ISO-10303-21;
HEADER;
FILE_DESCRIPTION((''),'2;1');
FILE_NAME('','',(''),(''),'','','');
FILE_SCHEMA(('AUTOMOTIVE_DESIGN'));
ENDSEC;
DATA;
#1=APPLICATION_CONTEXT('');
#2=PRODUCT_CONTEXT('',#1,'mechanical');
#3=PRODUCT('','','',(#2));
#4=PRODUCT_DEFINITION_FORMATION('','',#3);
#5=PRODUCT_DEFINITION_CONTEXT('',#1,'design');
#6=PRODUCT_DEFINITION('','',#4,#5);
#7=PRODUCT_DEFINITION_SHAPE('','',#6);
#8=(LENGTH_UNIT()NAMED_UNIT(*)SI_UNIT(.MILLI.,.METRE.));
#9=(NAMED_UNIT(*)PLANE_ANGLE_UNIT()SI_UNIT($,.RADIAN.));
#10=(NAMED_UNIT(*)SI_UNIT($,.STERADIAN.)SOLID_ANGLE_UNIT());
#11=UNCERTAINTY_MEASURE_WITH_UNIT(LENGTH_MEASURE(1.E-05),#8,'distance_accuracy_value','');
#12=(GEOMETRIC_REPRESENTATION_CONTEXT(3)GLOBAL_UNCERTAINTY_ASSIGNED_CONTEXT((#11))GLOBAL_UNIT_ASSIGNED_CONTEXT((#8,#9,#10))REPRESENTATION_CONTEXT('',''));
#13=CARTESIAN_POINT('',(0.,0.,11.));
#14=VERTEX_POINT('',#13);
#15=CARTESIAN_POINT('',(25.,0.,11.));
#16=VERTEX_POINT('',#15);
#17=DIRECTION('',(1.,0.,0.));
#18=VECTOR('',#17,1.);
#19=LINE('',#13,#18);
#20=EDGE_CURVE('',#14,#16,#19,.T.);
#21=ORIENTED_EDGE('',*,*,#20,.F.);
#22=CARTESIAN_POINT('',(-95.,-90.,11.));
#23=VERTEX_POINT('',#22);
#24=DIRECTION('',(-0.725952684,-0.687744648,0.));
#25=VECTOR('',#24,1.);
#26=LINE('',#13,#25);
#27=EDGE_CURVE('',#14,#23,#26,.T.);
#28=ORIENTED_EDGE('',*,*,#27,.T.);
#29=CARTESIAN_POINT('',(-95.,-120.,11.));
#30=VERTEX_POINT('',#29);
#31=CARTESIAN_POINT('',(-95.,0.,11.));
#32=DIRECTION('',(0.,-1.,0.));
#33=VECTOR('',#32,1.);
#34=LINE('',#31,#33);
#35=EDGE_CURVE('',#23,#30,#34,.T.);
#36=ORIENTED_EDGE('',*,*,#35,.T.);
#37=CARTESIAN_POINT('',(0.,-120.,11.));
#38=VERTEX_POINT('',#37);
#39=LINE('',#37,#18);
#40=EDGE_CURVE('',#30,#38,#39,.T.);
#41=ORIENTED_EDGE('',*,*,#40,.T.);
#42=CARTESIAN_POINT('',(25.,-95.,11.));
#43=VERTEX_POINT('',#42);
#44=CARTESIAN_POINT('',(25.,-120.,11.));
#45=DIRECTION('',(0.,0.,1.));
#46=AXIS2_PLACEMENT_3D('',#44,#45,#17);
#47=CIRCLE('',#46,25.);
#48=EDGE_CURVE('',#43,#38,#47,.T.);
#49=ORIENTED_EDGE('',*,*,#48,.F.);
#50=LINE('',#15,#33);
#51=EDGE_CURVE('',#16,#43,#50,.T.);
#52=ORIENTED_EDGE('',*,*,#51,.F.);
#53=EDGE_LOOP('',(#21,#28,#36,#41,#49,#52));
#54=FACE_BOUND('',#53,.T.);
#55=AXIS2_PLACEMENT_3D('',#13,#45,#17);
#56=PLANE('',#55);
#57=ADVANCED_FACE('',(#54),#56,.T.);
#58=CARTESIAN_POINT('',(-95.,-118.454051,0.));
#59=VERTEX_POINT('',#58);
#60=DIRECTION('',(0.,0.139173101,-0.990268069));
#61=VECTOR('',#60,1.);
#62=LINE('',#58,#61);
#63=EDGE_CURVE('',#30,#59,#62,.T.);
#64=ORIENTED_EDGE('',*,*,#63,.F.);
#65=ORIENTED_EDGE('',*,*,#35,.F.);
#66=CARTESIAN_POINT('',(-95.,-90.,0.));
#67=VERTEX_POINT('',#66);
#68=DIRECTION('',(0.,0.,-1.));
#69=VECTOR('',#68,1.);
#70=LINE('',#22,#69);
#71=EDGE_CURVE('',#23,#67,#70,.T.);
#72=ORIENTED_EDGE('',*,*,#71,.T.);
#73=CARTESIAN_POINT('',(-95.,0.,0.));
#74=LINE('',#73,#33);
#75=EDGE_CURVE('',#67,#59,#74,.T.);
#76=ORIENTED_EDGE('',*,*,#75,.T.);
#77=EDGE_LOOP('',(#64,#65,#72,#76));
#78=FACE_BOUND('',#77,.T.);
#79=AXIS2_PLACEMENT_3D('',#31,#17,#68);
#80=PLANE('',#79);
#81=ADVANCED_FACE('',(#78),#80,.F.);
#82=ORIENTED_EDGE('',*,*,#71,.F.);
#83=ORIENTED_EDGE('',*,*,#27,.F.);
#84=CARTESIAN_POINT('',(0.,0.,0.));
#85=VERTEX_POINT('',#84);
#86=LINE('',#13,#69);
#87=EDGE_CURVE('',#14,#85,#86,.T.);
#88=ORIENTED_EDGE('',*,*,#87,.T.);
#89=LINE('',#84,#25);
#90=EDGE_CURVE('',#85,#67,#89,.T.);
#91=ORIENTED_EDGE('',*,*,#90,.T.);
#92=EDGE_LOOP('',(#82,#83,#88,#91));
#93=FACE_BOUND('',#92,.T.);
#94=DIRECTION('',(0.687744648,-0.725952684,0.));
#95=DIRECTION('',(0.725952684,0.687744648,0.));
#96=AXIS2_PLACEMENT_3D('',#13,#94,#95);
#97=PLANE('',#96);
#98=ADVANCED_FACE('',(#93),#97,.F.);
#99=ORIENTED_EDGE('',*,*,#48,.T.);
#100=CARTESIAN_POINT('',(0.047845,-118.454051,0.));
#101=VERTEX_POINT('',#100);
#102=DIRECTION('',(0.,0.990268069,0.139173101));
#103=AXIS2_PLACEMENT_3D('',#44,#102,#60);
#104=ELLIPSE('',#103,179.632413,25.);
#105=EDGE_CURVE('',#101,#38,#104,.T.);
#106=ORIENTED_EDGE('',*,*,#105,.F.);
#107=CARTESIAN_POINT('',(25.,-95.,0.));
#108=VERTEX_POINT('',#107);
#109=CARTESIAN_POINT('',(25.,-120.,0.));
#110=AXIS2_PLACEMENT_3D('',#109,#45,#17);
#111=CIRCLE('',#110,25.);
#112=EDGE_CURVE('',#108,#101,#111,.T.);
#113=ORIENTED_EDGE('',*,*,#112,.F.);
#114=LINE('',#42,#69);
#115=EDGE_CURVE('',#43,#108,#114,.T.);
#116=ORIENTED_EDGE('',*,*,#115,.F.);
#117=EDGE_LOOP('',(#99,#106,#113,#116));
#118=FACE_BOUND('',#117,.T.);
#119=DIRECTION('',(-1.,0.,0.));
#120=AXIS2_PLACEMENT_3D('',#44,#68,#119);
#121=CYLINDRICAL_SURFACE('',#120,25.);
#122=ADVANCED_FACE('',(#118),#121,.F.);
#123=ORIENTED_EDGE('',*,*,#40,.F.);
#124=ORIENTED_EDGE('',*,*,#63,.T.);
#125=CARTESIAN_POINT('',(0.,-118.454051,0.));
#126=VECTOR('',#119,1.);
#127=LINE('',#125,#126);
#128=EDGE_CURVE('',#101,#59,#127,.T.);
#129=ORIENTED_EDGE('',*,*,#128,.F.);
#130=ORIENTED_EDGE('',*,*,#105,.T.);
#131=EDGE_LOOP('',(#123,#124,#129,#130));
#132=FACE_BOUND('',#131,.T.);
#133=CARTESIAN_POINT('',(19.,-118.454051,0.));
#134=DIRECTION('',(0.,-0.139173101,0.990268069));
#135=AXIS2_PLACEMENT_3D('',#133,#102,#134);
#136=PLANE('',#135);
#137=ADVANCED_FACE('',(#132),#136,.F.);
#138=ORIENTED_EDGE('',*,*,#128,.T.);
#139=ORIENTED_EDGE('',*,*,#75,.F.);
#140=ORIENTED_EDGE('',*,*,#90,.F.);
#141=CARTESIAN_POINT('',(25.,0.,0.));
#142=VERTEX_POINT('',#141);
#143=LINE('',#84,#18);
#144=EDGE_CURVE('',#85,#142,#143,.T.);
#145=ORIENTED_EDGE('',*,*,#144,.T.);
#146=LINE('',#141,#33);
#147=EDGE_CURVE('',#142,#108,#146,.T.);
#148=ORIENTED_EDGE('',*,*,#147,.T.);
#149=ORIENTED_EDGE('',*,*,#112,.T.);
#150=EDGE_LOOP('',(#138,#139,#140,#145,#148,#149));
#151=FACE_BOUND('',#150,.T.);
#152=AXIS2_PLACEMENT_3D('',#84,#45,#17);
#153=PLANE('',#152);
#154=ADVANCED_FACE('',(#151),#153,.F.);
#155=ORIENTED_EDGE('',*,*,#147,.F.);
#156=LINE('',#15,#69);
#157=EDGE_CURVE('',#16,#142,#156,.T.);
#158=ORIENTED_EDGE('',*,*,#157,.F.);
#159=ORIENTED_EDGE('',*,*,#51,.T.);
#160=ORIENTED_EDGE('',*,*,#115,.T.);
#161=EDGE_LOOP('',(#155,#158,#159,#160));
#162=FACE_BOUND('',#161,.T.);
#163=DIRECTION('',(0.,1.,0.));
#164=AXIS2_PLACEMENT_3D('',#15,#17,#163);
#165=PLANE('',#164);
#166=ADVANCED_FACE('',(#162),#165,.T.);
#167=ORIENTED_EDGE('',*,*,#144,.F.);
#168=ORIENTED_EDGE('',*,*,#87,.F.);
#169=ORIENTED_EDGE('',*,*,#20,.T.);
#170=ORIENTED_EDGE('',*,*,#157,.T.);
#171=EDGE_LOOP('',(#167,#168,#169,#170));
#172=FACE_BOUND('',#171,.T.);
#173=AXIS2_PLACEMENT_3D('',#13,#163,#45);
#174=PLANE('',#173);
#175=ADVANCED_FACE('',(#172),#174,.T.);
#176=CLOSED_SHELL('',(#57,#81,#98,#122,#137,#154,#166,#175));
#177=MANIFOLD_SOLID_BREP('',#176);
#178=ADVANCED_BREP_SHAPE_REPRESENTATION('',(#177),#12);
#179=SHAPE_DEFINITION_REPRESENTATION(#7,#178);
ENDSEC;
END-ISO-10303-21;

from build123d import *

# Parameters (mm, degrees)
BOSS_EXTRUDE1_DEPTH = 11
CUT_EXTRUDE1_DEPTH  = 114


with BuildPart() as part:
    # Sketch1 → Boss-Extrude1 (new body)
    with BuildSketch(Plane.XY):
        with BuildLine():
            Line((25, 0), (0, 0))
            Line((0, 0), (-95, -90))
            Line((-95, -90), (-95, -120))
            Line((-95, -120), (0, -120))
            ThreePointArc((0, -120), (7.32233047, -102.32233047), (25, -95))
            Line((25, -95), (25, 0))
        make_face()
    extrude(amount=BOSS_EXTRUDE1_DEPTH)

    # Sketch2 → Cut-Extrude1 (cut)
    with BuildSketch(Plane.ZY.offset(95)):
        Polygon((0, -120), (0, -118.454050818), (11, -120), align=None)
    extrude(amount=-CUT_EXTRUDE1_DEPTH, mode=Mode.SUBTRACT)


solid = part.part
